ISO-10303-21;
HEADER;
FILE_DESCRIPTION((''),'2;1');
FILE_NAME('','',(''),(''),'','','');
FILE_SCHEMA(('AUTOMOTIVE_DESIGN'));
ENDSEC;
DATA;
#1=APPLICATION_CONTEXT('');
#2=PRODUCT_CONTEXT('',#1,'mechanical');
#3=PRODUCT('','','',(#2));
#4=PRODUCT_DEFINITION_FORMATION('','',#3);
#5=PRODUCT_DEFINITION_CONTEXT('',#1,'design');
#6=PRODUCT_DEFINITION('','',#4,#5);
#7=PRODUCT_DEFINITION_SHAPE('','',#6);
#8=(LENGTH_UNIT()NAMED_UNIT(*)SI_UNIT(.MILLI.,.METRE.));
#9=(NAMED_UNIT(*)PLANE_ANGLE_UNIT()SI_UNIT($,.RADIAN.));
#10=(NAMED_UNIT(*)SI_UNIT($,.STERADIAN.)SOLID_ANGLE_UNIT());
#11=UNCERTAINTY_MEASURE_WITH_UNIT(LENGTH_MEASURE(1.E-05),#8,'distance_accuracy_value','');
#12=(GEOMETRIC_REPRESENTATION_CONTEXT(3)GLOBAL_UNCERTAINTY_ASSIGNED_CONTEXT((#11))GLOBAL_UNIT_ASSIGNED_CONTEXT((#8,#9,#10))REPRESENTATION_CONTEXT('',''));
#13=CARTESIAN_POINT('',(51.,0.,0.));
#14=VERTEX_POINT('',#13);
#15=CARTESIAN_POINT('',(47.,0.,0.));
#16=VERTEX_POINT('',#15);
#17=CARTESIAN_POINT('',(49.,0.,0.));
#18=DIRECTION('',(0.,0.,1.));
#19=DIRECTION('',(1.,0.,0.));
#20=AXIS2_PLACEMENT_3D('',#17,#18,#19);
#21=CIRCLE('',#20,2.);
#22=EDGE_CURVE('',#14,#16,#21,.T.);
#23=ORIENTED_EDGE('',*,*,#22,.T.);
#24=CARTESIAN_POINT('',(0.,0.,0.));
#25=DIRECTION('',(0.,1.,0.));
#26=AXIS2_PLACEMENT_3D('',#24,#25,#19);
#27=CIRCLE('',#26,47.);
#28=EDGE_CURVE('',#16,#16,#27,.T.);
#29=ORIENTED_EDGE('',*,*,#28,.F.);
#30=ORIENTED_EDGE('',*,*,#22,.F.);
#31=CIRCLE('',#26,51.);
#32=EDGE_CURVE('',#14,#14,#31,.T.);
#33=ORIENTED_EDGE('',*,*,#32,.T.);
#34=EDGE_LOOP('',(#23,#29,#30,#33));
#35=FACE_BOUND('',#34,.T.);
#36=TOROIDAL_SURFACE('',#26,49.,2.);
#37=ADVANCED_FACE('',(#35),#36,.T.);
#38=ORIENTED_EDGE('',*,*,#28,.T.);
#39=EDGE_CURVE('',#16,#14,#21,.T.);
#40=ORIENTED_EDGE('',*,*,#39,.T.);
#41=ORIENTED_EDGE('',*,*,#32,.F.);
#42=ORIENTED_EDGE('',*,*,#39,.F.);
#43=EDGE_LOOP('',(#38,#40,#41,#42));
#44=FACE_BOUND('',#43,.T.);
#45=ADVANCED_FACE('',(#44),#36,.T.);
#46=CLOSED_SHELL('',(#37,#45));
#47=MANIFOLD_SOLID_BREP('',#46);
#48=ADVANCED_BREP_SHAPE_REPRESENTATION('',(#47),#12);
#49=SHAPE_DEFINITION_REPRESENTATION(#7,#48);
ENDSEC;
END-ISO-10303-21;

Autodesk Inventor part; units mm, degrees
ref_plane "YZ Plane" through (0, 0, 0) normal (1, 0, 0) x (0, 1, 0)
ref_plane "XZ Plane" through (0, 0, 0) normal (0, 1, 0) x (-1, 0, 0)
ref_plane "XY Plane" through (0, 0, 0) normal (0, 0, 1) x (1, 0, 0)
sketch "Эскиз1" plane through (0, 0, 0) normal (0, 0, 1) x (1, 0, 0)
  line L0 (0, 0) -> (49, 0)
  circle A0 centre (49, 0) radius 2
  line L1 (0, 0) -> (0, 5.5778)
  dimension "d0" = 49
  dimension "d1" = 4
revolve "Вращение1" add sketch "Эскиз1" angle 360 about axis through (0, 0, 0) along (0, 1, 0)
properties part number "Уплотнительное кольцо_CPY" material "Алюминий 6061"
